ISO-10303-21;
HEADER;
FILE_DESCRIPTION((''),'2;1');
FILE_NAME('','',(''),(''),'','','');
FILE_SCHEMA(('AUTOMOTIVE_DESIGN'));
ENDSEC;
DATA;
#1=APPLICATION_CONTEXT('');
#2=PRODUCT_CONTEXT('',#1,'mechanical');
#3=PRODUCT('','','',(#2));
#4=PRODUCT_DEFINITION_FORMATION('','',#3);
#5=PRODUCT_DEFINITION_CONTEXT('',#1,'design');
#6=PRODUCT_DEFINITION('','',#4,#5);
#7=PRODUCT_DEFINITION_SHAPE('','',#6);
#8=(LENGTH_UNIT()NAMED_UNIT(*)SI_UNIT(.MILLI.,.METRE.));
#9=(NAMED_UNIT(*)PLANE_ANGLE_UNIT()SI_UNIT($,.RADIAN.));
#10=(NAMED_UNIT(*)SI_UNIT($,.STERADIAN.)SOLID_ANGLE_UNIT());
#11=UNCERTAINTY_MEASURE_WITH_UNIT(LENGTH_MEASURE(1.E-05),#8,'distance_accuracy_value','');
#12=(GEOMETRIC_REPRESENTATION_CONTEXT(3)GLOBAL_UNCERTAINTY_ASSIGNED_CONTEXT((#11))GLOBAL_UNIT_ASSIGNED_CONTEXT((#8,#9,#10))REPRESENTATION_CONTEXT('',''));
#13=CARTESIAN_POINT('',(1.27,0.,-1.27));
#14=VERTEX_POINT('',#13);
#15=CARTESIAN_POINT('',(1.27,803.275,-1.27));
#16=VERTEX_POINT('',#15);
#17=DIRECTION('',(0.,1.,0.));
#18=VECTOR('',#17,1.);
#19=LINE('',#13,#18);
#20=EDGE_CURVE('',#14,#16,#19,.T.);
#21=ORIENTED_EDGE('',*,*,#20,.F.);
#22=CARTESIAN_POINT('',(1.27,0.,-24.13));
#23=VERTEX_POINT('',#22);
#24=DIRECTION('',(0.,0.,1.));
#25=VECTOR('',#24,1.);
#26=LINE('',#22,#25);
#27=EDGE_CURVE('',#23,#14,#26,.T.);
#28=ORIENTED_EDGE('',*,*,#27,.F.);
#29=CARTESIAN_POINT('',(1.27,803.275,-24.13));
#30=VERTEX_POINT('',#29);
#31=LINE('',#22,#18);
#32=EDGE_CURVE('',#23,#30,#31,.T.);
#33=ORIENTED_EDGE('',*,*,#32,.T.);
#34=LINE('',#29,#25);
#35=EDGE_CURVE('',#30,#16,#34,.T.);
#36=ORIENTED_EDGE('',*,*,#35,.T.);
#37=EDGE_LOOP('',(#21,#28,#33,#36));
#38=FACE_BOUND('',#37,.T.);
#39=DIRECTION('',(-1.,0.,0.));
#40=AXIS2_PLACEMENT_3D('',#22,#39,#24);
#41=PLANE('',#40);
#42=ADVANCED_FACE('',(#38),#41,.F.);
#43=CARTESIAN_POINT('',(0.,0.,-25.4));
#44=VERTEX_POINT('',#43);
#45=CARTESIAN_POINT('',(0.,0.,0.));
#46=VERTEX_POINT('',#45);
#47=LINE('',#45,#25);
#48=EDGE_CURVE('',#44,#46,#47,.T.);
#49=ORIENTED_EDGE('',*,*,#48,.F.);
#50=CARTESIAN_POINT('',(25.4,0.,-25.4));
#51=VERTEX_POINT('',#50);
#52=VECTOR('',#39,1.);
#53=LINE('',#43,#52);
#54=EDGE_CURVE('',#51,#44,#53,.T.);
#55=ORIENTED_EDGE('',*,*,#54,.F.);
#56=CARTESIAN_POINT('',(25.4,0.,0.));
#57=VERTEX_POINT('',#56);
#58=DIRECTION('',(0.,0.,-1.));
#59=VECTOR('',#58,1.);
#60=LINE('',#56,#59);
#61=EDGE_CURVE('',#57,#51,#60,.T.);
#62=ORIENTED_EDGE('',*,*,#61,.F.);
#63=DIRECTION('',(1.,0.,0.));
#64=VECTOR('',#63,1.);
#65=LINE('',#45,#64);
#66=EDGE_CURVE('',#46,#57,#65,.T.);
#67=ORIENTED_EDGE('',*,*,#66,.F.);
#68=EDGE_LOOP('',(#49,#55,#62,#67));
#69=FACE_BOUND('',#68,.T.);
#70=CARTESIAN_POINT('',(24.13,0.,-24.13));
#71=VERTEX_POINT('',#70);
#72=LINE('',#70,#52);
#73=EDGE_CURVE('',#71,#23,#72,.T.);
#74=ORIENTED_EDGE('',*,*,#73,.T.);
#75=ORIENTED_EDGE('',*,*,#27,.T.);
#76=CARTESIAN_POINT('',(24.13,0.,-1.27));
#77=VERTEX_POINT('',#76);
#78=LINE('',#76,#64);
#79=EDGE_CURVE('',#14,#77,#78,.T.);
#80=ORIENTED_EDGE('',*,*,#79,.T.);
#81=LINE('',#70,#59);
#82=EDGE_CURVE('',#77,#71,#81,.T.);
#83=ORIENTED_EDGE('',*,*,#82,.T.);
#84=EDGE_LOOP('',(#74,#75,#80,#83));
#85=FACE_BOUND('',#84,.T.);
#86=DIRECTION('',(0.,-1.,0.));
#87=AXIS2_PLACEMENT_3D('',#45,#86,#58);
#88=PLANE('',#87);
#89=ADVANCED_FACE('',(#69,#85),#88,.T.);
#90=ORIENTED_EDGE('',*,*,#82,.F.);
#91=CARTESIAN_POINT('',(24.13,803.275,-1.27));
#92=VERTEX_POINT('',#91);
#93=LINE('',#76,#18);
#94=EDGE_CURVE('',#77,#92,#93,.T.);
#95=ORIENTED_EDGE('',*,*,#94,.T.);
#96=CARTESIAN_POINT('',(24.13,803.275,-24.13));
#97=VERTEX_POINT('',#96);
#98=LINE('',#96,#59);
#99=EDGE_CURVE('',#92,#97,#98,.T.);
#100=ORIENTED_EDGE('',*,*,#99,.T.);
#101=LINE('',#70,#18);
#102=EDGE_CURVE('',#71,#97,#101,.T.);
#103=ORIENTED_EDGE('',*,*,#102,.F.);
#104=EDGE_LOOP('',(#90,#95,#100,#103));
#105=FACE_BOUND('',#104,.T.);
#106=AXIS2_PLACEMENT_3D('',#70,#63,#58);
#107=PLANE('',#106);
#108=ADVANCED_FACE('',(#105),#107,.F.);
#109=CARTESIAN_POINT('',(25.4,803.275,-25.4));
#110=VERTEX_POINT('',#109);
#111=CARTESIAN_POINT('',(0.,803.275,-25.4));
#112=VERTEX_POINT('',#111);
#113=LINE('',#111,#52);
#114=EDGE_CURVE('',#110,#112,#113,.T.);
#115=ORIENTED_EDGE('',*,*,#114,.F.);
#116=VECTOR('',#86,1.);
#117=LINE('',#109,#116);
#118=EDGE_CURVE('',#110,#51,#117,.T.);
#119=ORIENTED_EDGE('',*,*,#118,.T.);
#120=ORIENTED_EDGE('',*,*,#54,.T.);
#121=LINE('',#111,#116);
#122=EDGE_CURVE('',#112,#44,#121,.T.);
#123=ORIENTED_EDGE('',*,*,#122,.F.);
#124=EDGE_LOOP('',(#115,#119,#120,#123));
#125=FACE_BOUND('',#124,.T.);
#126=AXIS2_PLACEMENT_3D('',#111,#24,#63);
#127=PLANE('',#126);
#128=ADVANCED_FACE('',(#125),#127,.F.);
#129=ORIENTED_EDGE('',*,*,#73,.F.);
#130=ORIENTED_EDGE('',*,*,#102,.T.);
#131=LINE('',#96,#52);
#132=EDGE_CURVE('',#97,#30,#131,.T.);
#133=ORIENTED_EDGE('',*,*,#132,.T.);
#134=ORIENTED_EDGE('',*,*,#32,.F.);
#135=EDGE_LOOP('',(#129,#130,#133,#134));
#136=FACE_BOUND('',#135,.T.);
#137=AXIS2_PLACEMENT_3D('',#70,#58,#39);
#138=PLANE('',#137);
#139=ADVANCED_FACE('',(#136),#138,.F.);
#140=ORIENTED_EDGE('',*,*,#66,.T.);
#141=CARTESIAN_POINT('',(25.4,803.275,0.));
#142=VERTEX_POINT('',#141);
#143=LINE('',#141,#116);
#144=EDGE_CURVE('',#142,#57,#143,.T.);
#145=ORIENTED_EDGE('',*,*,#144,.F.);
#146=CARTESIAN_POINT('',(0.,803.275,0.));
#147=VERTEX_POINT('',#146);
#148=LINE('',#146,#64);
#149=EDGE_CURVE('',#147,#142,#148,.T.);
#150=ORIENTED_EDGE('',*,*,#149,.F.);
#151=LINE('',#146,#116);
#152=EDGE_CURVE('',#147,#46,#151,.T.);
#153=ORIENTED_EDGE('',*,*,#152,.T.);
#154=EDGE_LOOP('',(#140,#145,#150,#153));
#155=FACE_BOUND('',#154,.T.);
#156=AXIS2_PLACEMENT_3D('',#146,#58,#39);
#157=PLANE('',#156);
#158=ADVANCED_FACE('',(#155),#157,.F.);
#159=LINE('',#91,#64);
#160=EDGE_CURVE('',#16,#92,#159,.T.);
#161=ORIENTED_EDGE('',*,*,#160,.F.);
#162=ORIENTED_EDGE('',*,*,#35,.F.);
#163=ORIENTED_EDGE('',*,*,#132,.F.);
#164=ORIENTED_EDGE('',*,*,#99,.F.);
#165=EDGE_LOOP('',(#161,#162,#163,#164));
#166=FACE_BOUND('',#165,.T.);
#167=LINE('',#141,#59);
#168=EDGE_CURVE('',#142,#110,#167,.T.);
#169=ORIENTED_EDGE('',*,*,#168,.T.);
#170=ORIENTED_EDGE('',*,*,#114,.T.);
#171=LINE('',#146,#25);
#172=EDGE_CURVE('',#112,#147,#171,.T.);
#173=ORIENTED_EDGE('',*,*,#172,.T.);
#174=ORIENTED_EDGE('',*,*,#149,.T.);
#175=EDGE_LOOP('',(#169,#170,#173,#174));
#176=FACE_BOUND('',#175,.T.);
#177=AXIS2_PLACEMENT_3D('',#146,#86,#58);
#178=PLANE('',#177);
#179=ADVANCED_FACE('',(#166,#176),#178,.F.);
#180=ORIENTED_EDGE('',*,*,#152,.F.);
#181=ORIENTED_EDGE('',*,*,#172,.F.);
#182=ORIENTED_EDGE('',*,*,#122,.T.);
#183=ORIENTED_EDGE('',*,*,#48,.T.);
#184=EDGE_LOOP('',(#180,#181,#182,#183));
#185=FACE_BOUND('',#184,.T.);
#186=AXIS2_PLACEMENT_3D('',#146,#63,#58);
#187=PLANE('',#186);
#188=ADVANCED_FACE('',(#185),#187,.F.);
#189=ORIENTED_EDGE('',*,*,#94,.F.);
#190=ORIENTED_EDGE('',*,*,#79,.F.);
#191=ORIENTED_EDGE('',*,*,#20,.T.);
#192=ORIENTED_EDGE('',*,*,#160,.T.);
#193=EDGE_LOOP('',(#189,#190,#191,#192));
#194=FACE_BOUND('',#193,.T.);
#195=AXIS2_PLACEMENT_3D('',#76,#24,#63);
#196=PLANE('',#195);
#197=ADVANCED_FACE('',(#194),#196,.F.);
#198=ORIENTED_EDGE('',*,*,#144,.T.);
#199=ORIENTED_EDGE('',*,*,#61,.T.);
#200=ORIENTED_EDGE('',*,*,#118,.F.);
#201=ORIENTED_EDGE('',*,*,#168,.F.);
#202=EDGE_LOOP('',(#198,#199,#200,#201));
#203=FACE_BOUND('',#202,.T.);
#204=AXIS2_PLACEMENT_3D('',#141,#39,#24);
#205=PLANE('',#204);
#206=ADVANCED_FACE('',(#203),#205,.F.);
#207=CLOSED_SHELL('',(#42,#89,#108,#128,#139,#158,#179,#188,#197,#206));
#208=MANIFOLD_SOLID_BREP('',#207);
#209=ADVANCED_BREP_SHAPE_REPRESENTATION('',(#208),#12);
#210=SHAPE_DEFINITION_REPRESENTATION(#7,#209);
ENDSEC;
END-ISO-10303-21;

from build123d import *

# Parameters (mm, degrees)
SKETCH1_W           = 25.4
SKETCH1_H           = 25.4
BOSS_EXTRUDE1_DEPTH = 803.275
SKETCH3_W           = 22.86
SKETCH3_H           = 22.86
CUT_EXTRUDE1_DEPTH  = 805.077760932


with BuildPart() as part:
    # Sketch1 → Boss-Extrude1 (new body)
    with BuildSketch(Plane(origin=(0, 0, 0), x_dir=(1, 0, 0), z_dir=(0, 1, 0))):
        with Locations((12.7, 12.7)):
            Rectangle(SKETCH1_W, SKETCH1_H)
    extrude(amount=BOSS_EXTRUDE1_DEPTH)

    # Sketch3 → Cut-Extrude1 (cut, through all)
    with BuildSketch(Plane(origin=(0, 803.275, 0), x_dir=(1, 0, 0), z_dir=(0, 1, 0))):
        with Locations((12.7, 12.7)):
            Rectangle(SKETCH3_W, SKETCH3_H)
    extrude(amount=-CUT_EXTRUDE1_DEPTH, mode=Mode.SUBTRACT)


solid = part.part
